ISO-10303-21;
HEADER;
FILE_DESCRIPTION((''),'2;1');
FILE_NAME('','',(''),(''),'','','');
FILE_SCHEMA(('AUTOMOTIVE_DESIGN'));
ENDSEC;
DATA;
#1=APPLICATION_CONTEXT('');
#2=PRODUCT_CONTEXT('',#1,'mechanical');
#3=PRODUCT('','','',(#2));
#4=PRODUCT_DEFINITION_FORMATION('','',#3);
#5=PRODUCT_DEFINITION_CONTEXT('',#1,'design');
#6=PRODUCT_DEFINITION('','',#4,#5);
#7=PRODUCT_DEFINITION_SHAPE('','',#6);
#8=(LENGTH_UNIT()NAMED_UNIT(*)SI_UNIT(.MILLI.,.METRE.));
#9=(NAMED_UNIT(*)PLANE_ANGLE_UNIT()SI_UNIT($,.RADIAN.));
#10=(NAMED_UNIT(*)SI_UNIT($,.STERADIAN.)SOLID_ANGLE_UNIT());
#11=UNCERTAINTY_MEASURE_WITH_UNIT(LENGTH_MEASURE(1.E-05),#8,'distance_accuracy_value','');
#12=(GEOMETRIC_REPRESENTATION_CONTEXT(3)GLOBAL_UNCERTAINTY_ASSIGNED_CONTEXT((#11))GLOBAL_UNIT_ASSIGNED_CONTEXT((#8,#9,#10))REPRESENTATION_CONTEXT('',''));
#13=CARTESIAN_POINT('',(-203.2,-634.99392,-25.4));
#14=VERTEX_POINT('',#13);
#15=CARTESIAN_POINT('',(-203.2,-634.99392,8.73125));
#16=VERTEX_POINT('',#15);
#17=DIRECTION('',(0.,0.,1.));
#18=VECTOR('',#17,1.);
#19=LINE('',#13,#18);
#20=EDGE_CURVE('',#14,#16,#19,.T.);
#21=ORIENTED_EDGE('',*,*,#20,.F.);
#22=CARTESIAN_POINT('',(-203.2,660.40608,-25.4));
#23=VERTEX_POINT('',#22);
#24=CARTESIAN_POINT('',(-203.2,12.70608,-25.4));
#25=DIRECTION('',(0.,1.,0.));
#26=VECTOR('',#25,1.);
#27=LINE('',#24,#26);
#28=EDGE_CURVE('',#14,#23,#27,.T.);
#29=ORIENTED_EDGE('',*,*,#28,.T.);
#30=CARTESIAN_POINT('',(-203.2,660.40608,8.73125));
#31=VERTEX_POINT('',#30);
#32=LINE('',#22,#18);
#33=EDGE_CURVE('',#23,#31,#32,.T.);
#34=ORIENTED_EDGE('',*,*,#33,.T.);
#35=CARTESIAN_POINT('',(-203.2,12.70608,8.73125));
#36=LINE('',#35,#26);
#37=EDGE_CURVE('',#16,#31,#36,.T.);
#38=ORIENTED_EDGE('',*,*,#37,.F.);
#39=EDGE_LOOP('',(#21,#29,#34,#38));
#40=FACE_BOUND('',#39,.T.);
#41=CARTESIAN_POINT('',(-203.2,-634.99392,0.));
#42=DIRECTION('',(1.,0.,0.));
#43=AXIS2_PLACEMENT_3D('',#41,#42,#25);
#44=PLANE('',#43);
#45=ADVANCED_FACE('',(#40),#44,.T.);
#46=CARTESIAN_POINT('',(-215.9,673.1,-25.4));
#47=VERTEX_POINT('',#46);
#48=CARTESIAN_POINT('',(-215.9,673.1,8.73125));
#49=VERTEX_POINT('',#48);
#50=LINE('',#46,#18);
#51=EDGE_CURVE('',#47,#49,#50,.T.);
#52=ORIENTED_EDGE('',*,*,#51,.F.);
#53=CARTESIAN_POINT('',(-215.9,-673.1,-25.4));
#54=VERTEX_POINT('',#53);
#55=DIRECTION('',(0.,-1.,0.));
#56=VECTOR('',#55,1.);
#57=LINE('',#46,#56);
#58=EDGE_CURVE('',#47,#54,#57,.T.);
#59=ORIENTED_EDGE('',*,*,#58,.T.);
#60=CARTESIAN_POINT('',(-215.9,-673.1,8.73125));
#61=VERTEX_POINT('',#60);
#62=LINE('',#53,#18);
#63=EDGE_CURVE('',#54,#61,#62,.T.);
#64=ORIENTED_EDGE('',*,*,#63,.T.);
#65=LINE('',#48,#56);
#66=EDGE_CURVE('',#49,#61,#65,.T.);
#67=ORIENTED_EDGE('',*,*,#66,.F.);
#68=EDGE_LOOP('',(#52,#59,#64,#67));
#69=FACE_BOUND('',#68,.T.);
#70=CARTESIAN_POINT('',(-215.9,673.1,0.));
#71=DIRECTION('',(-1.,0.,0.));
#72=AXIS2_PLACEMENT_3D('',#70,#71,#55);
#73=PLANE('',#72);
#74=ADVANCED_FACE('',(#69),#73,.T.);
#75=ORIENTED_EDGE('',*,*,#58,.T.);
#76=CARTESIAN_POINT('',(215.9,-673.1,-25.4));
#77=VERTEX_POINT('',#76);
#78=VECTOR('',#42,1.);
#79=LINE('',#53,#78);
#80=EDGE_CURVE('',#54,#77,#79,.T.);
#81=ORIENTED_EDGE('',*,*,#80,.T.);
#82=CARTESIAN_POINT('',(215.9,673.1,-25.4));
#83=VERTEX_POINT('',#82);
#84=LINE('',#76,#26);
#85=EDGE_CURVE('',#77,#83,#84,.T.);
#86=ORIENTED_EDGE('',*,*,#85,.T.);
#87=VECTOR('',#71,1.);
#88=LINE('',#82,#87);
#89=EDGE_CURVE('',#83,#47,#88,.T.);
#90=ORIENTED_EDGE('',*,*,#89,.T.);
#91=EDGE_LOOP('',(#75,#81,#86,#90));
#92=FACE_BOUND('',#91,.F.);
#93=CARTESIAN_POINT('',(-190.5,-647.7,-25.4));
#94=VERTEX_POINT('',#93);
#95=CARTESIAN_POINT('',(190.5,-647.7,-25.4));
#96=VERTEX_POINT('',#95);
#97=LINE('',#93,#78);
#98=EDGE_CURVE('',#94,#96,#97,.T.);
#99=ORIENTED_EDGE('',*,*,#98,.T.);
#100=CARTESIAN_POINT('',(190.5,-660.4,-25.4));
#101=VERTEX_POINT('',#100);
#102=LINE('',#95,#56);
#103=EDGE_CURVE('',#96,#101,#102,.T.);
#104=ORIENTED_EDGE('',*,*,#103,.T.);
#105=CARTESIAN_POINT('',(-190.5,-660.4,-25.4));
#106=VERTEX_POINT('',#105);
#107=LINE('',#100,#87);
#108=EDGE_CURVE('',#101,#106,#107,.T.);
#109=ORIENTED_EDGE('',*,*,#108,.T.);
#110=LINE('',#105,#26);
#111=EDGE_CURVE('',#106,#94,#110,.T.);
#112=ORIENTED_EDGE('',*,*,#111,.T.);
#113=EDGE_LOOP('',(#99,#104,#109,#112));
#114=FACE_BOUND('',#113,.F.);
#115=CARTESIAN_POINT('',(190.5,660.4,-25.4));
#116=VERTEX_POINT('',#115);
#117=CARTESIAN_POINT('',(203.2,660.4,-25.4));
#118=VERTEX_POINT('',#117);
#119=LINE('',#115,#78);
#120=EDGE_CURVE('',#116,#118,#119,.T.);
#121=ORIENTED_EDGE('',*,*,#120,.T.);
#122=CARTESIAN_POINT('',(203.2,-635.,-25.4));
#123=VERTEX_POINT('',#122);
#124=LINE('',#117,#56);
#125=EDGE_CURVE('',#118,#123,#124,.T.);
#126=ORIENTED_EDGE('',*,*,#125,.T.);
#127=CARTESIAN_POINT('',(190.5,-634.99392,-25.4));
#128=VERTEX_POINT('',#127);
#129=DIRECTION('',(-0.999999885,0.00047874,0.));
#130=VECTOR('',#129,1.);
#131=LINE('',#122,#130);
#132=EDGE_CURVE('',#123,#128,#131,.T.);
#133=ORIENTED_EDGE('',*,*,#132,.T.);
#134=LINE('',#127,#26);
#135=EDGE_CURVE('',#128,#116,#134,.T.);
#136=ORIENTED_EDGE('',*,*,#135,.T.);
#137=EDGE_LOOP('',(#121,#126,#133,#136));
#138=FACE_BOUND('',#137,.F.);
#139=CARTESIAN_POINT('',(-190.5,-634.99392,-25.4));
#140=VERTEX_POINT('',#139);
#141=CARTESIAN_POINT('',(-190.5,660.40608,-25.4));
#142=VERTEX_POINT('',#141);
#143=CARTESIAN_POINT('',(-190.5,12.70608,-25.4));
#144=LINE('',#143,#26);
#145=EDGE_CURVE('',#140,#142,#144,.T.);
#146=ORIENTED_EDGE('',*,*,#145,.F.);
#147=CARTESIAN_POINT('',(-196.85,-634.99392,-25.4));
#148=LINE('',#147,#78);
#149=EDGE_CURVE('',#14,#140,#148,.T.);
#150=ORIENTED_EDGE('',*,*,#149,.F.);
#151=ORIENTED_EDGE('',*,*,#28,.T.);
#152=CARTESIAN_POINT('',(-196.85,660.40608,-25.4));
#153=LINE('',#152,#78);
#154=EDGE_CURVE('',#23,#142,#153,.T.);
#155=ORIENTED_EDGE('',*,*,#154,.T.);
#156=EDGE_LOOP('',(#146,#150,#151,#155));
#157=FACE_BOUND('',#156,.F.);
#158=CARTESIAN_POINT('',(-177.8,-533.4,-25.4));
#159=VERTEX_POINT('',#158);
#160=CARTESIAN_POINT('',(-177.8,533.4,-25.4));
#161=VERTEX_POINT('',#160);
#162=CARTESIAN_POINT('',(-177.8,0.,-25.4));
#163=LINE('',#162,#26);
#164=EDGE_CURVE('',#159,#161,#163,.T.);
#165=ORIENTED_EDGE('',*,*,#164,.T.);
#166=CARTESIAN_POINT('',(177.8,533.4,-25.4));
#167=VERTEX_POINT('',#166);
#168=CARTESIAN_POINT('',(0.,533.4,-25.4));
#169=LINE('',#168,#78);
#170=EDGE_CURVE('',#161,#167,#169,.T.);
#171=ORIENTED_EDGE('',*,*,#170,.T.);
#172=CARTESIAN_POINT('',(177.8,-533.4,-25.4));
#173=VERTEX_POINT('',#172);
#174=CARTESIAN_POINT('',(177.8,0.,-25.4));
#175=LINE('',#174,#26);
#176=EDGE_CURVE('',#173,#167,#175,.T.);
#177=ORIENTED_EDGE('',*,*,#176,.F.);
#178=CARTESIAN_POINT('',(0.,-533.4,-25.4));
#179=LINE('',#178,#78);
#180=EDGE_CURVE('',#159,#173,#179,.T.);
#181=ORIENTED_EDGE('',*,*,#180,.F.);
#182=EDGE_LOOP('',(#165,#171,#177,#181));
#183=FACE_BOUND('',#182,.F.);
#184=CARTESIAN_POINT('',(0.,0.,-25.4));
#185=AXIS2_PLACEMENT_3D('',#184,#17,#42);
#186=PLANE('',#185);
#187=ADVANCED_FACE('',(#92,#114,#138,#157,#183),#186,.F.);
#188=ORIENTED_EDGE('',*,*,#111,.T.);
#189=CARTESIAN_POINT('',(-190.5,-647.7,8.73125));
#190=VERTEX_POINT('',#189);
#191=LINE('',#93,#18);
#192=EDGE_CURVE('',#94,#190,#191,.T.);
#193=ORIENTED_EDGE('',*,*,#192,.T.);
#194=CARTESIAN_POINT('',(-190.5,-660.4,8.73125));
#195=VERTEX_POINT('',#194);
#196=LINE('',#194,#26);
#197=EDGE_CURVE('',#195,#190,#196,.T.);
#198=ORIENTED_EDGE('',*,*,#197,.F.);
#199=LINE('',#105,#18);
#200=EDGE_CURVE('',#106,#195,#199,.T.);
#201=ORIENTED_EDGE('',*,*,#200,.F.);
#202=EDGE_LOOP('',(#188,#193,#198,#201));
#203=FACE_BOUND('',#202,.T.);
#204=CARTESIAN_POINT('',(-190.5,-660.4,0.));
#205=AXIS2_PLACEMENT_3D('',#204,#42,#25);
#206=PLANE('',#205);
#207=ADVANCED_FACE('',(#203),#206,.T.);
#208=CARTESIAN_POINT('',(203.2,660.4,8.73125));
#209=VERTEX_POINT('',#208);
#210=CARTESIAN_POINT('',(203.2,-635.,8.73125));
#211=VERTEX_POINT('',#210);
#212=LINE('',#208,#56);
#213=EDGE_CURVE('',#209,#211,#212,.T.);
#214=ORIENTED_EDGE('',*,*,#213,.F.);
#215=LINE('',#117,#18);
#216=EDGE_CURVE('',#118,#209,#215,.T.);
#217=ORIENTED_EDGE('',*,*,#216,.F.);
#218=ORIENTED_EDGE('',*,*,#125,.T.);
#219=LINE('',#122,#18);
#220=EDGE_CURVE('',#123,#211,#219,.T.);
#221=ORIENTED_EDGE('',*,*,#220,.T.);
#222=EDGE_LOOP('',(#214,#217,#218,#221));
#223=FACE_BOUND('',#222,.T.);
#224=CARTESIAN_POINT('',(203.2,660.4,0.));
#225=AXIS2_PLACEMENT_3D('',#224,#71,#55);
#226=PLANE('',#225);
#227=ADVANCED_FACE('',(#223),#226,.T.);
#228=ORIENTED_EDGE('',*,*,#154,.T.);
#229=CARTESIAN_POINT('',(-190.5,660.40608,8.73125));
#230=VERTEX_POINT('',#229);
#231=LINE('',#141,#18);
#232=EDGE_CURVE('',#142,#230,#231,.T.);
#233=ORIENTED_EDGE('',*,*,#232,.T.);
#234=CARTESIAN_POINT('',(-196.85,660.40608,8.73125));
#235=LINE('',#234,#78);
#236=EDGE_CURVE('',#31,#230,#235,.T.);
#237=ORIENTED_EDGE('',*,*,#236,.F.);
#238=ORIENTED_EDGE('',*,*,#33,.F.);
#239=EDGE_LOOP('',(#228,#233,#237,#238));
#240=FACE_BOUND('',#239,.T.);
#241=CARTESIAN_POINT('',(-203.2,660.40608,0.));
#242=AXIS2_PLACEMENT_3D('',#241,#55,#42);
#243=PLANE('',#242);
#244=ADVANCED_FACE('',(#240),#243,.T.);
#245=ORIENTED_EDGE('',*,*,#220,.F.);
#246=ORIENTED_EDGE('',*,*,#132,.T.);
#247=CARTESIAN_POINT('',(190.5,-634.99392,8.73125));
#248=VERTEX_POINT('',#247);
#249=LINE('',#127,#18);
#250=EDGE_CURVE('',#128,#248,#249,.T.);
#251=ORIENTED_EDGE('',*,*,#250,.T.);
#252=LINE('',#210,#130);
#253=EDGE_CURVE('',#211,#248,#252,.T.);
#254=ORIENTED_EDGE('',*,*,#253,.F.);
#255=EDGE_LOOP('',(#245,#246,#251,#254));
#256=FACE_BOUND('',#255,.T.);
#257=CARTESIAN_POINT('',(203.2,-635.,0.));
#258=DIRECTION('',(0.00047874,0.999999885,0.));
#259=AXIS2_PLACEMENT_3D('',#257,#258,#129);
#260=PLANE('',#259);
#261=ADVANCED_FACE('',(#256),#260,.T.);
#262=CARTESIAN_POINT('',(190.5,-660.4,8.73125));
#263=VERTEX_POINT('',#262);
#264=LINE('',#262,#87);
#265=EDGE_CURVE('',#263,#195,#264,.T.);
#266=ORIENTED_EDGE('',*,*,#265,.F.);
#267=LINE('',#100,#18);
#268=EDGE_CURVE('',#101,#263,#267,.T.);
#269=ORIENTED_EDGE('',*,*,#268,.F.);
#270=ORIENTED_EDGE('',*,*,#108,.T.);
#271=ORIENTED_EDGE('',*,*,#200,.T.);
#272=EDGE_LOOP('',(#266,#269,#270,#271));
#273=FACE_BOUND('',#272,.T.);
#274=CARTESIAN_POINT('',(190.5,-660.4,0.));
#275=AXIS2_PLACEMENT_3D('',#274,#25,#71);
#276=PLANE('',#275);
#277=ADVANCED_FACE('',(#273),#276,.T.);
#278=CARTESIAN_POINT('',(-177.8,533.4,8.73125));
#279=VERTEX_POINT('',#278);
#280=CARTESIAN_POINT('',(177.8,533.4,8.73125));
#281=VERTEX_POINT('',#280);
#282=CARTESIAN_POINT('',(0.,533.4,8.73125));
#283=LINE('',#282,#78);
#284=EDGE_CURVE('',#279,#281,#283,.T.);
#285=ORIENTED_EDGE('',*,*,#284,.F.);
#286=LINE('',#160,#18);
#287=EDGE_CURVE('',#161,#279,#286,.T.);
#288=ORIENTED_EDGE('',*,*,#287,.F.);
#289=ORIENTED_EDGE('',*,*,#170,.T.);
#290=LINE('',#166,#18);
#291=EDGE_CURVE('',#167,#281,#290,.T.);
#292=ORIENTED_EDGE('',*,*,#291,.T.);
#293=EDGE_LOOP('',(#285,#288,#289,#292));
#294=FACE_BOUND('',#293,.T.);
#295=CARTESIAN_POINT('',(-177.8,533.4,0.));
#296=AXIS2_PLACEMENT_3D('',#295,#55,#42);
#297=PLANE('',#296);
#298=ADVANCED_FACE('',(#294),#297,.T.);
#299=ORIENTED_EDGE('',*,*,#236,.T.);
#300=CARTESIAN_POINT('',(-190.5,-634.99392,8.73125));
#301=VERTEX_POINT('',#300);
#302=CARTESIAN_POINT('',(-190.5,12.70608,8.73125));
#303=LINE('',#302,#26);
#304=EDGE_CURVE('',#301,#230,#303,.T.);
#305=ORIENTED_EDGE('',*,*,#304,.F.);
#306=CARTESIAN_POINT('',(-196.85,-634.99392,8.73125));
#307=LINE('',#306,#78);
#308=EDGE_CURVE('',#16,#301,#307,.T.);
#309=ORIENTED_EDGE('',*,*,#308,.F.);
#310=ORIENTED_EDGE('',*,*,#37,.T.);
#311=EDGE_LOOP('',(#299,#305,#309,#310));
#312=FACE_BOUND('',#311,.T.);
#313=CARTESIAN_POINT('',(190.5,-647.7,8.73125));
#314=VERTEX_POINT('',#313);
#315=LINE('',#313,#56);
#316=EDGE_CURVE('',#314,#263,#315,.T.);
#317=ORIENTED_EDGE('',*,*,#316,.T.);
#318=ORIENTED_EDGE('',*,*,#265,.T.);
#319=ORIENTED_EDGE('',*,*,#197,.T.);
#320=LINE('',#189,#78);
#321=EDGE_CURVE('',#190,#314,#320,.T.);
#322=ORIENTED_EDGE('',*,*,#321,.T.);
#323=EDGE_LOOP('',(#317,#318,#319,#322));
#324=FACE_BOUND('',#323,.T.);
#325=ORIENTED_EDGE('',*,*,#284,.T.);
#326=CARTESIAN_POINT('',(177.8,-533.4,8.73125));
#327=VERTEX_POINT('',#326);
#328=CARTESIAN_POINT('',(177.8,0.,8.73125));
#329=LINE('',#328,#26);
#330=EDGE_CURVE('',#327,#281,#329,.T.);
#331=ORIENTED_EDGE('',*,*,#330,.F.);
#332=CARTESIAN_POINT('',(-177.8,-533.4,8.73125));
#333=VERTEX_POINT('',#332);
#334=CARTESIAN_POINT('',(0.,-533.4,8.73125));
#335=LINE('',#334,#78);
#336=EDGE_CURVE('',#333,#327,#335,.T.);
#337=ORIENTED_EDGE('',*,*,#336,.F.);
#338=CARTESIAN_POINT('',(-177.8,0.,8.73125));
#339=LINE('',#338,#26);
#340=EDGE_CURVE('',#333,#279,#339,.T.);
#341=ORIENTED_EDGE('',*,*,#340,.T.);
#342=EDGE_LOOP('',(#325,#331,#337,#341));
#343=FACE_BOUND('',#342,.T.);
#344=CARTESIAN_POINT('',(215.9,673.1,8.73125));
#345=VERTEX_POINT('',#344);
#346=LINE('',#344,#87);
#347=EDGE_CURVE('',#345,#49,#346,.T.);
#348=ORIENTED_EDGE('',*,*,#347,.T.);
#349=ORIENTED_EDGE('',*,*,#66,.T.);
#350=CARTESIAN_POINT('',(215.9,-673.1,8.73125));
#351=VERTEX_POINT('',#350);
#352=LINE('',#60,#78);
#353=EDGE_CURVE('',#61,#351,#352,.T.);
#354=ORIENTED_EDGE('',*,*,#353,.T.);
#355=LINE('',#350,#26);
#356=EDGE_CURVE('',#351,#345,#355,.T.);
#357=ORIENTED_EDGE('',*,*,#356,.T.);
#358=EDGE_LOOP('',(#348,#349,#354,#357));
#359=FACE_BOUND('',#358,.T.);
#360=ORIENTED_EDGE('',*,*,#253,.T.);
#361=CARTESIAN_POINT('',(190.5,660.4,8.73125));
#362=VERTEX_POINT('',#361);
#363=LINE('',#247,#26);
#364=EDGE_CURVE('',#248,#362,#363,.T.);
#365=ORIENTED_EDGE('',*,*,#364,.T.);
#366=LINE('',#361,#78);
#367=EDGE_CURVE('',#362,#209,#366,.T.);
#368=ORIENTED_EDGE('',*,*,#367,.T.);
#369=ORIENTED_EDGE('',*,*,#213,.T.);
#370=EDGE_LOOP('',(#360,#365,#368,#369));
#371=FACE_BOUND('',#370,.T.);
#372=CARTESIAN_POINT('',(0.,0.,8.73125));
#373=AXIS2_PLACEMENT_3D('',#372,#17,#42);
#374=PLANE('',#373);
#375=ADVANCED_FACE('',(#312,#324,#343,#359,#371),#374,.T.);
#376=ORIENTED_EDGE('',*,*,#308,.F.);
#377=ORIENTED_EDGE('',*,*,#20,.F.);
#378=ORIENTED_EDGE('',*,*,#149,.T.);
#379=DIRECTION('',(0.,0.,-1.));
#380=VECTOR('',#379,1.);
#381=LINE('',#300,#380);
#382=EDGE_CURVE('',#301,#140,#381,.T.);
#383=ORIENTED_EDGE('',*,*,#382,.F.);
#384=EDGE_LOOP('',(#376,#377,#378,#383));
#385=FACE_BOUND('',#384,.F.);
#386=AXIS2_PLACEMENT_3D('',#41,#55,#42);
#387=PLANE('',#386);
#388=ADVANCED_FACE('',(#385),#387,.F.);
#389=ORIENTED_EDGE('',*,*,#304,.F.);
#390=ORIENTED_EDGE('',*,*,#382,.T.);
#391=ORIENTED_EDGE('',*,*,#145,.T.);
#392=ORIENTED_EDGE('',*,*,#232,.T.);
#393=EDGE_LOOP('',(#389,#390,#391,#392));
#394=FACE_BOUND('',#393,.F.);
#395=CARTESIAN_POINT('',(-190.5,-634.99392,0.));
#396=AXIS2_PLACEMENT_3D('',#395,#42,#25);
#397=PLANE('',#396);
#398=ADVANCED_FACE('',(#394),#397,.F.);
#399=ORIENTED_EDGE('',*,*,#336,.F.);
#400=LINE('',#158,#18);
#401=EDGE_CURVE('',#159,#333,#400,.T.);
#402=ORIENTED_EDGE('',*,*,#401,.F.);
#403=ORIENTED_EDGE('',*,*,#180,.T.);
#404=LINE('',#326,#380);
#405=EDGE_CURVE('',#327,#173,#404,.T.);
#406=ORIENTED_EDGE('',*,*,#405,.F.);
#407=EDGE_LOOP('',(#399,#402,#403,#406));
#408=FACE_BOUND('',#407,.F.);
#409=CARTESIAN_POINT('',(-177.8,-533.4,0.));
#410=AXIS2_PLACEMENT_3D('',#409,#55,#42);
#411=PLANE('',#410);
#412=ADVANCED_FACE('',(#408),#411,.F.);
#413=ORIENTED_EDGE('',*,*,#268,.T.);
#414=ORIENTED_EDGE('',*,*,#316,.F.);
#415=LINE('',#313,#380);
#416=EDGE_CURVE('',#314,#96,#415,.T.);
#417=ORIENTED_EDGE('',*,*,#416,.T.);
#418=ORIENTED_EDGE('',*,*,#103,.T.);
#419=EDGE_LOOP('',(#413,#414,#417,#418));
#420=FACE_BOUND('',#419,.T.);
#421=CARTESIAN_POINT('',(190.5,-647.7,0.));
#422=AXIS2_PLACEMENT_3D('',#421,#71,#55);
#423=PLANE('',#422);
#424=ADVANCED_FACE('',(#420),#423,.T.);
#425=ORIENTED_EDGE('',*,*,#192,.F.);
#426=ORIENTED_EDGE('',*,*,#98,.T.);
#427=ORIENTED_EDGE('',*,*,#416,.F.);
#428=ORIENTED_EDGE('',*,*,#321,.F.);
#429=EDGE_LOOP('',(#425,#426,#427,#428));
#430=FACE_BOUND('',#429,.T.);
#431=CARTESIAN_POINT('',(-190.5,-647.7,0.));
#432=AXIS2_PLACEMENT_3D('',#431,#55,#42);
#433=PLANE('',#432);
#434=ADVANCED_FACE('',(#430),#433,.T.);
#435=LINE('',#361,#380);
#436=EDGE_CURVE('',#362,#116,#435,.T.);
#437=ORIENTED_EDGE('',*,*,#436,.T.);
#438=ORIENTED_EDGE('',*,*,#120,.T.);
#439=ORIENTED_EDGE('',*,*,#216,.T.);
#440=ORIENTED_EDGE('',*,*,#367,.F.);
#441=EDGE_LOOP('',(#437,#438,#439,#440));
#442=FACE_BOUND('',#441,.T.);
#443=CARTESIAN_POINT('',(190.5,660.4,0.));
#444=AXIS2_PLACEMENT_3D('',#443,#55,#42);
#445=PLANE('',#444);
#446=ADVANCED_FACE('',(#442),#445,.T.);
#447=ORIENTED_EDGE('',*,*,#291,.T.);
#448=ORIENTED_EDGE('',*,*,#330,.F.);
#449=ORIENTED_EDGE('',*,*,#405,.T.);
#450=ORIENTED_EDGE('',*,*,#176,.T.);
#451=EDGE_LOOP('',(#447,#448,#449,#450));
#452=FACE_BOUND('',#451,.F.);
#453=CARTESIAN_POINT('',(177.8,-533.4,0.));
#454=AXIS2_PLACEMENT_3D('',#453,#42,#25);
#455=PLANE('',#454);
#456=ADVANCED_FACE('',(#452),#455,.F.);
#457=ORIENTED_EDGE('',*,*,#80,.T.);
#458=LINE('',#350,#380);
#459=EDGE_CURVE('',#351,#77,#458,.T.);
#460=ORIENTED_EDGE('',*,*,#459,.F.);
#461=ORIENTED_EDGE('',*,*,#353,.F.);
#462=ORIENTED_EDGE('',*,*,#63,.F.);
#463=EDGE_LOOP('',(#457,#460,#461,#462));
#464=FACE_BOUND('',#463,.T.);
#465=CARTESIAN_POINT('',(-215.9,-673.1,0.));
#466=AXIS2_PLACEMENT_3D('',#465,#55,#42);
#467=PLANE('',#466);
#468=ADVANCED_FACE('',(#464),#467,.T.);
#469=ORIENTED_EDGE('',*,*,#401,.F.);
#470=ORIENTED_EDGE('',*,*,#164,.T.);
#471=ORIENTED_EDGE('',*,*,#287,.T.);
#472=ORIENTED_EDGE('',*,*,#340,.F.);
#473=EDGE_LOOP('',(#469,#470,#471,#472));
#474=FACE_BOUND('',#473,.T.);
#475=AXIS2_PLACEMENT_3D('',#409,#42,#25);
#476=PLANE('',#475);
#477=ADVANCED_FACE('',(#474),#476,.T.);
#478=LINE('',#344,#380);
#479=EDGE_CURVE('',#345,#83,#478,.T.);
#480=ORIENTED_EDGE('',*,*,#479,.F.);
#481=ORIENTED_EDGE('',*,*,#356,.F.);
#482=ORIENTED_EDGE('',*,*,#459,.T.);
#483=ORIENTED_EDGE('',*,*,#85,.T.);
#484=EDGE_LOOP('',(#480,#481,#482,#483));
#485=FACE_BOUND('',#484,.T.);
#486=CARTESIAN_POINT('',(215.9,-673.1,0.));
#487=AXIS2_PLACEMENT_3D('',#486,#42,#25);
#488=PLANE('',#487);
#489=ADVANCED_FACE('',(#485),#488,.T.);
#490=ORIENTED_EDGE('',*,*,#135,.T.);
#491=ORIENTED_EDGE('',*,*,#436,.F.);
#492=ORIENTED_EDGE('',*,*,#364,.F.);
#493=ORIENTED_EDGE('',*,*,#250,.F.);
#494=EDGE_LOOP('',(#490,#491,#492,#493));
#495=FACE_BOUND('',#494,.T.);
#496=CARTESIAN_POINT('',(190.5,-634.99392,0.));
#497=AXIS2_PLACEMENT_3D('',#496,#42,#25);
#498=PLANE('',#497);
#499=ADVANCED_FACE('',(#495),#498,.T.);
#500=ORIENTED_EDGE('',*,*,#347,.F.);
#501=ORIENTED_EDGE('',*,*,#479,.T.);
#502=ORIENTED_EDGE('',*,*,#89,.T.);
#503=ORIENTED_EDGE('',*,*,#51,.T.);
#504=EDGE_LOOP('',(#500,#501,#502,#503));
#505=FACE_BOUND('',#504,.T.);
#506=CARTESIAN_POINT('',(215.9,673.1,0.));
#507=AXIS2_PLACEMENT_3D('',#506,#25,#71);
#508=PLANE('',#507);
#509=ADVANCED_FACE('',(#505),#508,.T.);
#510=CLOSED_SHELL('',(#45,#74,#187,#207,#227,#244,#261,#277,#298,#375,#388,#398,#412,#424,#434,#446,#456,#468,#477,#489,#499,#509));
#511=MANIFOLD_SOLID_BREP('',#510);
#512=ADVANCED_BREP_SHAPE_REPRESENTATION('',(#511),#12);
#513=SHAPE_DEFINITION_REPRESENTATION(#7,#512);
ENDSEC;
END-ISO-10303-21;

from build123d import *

# Parameters (mm, degrees)
F0_W          = 12.7
F0_H          = 1295.4
F0_W_2        = 355.6
F0_H_2        = 1066.8
F1_DEPTH      = 8.73125
F1_DEPTH_BACK = 25.4


with BuildPart() as f1:
    # F0 (on Top) → F1 (new body, two sides)
    with BuildSketch(Plane.XY) as f1_sk:
        Polygon((215.9, 673.1), (-215.9, 673.1), (-215.9, -673.1), (0, -673.1), (215.9, -673.1), (215.9, 74.258551), align=None)
        Polygon((190.5, -660.4), (0, -660.4), (-190.5, -660.4), (-190.5, -647.7), (190.5, -647.7), align=None, mode=Mode.SUBTRACT)
        with Locations((-196.85, 12.70608)):
            Rectangle(F0_W, F0_H, mode=Mode.SUBTRACT)
        Rectangle(F0_W_2, F0_H_2, mode=Mode.SUBTRACT)
        Polygon((203.2, 660.4), (203.2, 74.258551), (203.2, -635), (190.5, -634.99392), (190.5, 660.4), align=None, mode=Mode.SUBTRACT)
    extrude(amount=F1_DEPTH)
    extrude(f1_sk.sketch, amount=-F1_DEPTH_BACK)


solid = f1.part
